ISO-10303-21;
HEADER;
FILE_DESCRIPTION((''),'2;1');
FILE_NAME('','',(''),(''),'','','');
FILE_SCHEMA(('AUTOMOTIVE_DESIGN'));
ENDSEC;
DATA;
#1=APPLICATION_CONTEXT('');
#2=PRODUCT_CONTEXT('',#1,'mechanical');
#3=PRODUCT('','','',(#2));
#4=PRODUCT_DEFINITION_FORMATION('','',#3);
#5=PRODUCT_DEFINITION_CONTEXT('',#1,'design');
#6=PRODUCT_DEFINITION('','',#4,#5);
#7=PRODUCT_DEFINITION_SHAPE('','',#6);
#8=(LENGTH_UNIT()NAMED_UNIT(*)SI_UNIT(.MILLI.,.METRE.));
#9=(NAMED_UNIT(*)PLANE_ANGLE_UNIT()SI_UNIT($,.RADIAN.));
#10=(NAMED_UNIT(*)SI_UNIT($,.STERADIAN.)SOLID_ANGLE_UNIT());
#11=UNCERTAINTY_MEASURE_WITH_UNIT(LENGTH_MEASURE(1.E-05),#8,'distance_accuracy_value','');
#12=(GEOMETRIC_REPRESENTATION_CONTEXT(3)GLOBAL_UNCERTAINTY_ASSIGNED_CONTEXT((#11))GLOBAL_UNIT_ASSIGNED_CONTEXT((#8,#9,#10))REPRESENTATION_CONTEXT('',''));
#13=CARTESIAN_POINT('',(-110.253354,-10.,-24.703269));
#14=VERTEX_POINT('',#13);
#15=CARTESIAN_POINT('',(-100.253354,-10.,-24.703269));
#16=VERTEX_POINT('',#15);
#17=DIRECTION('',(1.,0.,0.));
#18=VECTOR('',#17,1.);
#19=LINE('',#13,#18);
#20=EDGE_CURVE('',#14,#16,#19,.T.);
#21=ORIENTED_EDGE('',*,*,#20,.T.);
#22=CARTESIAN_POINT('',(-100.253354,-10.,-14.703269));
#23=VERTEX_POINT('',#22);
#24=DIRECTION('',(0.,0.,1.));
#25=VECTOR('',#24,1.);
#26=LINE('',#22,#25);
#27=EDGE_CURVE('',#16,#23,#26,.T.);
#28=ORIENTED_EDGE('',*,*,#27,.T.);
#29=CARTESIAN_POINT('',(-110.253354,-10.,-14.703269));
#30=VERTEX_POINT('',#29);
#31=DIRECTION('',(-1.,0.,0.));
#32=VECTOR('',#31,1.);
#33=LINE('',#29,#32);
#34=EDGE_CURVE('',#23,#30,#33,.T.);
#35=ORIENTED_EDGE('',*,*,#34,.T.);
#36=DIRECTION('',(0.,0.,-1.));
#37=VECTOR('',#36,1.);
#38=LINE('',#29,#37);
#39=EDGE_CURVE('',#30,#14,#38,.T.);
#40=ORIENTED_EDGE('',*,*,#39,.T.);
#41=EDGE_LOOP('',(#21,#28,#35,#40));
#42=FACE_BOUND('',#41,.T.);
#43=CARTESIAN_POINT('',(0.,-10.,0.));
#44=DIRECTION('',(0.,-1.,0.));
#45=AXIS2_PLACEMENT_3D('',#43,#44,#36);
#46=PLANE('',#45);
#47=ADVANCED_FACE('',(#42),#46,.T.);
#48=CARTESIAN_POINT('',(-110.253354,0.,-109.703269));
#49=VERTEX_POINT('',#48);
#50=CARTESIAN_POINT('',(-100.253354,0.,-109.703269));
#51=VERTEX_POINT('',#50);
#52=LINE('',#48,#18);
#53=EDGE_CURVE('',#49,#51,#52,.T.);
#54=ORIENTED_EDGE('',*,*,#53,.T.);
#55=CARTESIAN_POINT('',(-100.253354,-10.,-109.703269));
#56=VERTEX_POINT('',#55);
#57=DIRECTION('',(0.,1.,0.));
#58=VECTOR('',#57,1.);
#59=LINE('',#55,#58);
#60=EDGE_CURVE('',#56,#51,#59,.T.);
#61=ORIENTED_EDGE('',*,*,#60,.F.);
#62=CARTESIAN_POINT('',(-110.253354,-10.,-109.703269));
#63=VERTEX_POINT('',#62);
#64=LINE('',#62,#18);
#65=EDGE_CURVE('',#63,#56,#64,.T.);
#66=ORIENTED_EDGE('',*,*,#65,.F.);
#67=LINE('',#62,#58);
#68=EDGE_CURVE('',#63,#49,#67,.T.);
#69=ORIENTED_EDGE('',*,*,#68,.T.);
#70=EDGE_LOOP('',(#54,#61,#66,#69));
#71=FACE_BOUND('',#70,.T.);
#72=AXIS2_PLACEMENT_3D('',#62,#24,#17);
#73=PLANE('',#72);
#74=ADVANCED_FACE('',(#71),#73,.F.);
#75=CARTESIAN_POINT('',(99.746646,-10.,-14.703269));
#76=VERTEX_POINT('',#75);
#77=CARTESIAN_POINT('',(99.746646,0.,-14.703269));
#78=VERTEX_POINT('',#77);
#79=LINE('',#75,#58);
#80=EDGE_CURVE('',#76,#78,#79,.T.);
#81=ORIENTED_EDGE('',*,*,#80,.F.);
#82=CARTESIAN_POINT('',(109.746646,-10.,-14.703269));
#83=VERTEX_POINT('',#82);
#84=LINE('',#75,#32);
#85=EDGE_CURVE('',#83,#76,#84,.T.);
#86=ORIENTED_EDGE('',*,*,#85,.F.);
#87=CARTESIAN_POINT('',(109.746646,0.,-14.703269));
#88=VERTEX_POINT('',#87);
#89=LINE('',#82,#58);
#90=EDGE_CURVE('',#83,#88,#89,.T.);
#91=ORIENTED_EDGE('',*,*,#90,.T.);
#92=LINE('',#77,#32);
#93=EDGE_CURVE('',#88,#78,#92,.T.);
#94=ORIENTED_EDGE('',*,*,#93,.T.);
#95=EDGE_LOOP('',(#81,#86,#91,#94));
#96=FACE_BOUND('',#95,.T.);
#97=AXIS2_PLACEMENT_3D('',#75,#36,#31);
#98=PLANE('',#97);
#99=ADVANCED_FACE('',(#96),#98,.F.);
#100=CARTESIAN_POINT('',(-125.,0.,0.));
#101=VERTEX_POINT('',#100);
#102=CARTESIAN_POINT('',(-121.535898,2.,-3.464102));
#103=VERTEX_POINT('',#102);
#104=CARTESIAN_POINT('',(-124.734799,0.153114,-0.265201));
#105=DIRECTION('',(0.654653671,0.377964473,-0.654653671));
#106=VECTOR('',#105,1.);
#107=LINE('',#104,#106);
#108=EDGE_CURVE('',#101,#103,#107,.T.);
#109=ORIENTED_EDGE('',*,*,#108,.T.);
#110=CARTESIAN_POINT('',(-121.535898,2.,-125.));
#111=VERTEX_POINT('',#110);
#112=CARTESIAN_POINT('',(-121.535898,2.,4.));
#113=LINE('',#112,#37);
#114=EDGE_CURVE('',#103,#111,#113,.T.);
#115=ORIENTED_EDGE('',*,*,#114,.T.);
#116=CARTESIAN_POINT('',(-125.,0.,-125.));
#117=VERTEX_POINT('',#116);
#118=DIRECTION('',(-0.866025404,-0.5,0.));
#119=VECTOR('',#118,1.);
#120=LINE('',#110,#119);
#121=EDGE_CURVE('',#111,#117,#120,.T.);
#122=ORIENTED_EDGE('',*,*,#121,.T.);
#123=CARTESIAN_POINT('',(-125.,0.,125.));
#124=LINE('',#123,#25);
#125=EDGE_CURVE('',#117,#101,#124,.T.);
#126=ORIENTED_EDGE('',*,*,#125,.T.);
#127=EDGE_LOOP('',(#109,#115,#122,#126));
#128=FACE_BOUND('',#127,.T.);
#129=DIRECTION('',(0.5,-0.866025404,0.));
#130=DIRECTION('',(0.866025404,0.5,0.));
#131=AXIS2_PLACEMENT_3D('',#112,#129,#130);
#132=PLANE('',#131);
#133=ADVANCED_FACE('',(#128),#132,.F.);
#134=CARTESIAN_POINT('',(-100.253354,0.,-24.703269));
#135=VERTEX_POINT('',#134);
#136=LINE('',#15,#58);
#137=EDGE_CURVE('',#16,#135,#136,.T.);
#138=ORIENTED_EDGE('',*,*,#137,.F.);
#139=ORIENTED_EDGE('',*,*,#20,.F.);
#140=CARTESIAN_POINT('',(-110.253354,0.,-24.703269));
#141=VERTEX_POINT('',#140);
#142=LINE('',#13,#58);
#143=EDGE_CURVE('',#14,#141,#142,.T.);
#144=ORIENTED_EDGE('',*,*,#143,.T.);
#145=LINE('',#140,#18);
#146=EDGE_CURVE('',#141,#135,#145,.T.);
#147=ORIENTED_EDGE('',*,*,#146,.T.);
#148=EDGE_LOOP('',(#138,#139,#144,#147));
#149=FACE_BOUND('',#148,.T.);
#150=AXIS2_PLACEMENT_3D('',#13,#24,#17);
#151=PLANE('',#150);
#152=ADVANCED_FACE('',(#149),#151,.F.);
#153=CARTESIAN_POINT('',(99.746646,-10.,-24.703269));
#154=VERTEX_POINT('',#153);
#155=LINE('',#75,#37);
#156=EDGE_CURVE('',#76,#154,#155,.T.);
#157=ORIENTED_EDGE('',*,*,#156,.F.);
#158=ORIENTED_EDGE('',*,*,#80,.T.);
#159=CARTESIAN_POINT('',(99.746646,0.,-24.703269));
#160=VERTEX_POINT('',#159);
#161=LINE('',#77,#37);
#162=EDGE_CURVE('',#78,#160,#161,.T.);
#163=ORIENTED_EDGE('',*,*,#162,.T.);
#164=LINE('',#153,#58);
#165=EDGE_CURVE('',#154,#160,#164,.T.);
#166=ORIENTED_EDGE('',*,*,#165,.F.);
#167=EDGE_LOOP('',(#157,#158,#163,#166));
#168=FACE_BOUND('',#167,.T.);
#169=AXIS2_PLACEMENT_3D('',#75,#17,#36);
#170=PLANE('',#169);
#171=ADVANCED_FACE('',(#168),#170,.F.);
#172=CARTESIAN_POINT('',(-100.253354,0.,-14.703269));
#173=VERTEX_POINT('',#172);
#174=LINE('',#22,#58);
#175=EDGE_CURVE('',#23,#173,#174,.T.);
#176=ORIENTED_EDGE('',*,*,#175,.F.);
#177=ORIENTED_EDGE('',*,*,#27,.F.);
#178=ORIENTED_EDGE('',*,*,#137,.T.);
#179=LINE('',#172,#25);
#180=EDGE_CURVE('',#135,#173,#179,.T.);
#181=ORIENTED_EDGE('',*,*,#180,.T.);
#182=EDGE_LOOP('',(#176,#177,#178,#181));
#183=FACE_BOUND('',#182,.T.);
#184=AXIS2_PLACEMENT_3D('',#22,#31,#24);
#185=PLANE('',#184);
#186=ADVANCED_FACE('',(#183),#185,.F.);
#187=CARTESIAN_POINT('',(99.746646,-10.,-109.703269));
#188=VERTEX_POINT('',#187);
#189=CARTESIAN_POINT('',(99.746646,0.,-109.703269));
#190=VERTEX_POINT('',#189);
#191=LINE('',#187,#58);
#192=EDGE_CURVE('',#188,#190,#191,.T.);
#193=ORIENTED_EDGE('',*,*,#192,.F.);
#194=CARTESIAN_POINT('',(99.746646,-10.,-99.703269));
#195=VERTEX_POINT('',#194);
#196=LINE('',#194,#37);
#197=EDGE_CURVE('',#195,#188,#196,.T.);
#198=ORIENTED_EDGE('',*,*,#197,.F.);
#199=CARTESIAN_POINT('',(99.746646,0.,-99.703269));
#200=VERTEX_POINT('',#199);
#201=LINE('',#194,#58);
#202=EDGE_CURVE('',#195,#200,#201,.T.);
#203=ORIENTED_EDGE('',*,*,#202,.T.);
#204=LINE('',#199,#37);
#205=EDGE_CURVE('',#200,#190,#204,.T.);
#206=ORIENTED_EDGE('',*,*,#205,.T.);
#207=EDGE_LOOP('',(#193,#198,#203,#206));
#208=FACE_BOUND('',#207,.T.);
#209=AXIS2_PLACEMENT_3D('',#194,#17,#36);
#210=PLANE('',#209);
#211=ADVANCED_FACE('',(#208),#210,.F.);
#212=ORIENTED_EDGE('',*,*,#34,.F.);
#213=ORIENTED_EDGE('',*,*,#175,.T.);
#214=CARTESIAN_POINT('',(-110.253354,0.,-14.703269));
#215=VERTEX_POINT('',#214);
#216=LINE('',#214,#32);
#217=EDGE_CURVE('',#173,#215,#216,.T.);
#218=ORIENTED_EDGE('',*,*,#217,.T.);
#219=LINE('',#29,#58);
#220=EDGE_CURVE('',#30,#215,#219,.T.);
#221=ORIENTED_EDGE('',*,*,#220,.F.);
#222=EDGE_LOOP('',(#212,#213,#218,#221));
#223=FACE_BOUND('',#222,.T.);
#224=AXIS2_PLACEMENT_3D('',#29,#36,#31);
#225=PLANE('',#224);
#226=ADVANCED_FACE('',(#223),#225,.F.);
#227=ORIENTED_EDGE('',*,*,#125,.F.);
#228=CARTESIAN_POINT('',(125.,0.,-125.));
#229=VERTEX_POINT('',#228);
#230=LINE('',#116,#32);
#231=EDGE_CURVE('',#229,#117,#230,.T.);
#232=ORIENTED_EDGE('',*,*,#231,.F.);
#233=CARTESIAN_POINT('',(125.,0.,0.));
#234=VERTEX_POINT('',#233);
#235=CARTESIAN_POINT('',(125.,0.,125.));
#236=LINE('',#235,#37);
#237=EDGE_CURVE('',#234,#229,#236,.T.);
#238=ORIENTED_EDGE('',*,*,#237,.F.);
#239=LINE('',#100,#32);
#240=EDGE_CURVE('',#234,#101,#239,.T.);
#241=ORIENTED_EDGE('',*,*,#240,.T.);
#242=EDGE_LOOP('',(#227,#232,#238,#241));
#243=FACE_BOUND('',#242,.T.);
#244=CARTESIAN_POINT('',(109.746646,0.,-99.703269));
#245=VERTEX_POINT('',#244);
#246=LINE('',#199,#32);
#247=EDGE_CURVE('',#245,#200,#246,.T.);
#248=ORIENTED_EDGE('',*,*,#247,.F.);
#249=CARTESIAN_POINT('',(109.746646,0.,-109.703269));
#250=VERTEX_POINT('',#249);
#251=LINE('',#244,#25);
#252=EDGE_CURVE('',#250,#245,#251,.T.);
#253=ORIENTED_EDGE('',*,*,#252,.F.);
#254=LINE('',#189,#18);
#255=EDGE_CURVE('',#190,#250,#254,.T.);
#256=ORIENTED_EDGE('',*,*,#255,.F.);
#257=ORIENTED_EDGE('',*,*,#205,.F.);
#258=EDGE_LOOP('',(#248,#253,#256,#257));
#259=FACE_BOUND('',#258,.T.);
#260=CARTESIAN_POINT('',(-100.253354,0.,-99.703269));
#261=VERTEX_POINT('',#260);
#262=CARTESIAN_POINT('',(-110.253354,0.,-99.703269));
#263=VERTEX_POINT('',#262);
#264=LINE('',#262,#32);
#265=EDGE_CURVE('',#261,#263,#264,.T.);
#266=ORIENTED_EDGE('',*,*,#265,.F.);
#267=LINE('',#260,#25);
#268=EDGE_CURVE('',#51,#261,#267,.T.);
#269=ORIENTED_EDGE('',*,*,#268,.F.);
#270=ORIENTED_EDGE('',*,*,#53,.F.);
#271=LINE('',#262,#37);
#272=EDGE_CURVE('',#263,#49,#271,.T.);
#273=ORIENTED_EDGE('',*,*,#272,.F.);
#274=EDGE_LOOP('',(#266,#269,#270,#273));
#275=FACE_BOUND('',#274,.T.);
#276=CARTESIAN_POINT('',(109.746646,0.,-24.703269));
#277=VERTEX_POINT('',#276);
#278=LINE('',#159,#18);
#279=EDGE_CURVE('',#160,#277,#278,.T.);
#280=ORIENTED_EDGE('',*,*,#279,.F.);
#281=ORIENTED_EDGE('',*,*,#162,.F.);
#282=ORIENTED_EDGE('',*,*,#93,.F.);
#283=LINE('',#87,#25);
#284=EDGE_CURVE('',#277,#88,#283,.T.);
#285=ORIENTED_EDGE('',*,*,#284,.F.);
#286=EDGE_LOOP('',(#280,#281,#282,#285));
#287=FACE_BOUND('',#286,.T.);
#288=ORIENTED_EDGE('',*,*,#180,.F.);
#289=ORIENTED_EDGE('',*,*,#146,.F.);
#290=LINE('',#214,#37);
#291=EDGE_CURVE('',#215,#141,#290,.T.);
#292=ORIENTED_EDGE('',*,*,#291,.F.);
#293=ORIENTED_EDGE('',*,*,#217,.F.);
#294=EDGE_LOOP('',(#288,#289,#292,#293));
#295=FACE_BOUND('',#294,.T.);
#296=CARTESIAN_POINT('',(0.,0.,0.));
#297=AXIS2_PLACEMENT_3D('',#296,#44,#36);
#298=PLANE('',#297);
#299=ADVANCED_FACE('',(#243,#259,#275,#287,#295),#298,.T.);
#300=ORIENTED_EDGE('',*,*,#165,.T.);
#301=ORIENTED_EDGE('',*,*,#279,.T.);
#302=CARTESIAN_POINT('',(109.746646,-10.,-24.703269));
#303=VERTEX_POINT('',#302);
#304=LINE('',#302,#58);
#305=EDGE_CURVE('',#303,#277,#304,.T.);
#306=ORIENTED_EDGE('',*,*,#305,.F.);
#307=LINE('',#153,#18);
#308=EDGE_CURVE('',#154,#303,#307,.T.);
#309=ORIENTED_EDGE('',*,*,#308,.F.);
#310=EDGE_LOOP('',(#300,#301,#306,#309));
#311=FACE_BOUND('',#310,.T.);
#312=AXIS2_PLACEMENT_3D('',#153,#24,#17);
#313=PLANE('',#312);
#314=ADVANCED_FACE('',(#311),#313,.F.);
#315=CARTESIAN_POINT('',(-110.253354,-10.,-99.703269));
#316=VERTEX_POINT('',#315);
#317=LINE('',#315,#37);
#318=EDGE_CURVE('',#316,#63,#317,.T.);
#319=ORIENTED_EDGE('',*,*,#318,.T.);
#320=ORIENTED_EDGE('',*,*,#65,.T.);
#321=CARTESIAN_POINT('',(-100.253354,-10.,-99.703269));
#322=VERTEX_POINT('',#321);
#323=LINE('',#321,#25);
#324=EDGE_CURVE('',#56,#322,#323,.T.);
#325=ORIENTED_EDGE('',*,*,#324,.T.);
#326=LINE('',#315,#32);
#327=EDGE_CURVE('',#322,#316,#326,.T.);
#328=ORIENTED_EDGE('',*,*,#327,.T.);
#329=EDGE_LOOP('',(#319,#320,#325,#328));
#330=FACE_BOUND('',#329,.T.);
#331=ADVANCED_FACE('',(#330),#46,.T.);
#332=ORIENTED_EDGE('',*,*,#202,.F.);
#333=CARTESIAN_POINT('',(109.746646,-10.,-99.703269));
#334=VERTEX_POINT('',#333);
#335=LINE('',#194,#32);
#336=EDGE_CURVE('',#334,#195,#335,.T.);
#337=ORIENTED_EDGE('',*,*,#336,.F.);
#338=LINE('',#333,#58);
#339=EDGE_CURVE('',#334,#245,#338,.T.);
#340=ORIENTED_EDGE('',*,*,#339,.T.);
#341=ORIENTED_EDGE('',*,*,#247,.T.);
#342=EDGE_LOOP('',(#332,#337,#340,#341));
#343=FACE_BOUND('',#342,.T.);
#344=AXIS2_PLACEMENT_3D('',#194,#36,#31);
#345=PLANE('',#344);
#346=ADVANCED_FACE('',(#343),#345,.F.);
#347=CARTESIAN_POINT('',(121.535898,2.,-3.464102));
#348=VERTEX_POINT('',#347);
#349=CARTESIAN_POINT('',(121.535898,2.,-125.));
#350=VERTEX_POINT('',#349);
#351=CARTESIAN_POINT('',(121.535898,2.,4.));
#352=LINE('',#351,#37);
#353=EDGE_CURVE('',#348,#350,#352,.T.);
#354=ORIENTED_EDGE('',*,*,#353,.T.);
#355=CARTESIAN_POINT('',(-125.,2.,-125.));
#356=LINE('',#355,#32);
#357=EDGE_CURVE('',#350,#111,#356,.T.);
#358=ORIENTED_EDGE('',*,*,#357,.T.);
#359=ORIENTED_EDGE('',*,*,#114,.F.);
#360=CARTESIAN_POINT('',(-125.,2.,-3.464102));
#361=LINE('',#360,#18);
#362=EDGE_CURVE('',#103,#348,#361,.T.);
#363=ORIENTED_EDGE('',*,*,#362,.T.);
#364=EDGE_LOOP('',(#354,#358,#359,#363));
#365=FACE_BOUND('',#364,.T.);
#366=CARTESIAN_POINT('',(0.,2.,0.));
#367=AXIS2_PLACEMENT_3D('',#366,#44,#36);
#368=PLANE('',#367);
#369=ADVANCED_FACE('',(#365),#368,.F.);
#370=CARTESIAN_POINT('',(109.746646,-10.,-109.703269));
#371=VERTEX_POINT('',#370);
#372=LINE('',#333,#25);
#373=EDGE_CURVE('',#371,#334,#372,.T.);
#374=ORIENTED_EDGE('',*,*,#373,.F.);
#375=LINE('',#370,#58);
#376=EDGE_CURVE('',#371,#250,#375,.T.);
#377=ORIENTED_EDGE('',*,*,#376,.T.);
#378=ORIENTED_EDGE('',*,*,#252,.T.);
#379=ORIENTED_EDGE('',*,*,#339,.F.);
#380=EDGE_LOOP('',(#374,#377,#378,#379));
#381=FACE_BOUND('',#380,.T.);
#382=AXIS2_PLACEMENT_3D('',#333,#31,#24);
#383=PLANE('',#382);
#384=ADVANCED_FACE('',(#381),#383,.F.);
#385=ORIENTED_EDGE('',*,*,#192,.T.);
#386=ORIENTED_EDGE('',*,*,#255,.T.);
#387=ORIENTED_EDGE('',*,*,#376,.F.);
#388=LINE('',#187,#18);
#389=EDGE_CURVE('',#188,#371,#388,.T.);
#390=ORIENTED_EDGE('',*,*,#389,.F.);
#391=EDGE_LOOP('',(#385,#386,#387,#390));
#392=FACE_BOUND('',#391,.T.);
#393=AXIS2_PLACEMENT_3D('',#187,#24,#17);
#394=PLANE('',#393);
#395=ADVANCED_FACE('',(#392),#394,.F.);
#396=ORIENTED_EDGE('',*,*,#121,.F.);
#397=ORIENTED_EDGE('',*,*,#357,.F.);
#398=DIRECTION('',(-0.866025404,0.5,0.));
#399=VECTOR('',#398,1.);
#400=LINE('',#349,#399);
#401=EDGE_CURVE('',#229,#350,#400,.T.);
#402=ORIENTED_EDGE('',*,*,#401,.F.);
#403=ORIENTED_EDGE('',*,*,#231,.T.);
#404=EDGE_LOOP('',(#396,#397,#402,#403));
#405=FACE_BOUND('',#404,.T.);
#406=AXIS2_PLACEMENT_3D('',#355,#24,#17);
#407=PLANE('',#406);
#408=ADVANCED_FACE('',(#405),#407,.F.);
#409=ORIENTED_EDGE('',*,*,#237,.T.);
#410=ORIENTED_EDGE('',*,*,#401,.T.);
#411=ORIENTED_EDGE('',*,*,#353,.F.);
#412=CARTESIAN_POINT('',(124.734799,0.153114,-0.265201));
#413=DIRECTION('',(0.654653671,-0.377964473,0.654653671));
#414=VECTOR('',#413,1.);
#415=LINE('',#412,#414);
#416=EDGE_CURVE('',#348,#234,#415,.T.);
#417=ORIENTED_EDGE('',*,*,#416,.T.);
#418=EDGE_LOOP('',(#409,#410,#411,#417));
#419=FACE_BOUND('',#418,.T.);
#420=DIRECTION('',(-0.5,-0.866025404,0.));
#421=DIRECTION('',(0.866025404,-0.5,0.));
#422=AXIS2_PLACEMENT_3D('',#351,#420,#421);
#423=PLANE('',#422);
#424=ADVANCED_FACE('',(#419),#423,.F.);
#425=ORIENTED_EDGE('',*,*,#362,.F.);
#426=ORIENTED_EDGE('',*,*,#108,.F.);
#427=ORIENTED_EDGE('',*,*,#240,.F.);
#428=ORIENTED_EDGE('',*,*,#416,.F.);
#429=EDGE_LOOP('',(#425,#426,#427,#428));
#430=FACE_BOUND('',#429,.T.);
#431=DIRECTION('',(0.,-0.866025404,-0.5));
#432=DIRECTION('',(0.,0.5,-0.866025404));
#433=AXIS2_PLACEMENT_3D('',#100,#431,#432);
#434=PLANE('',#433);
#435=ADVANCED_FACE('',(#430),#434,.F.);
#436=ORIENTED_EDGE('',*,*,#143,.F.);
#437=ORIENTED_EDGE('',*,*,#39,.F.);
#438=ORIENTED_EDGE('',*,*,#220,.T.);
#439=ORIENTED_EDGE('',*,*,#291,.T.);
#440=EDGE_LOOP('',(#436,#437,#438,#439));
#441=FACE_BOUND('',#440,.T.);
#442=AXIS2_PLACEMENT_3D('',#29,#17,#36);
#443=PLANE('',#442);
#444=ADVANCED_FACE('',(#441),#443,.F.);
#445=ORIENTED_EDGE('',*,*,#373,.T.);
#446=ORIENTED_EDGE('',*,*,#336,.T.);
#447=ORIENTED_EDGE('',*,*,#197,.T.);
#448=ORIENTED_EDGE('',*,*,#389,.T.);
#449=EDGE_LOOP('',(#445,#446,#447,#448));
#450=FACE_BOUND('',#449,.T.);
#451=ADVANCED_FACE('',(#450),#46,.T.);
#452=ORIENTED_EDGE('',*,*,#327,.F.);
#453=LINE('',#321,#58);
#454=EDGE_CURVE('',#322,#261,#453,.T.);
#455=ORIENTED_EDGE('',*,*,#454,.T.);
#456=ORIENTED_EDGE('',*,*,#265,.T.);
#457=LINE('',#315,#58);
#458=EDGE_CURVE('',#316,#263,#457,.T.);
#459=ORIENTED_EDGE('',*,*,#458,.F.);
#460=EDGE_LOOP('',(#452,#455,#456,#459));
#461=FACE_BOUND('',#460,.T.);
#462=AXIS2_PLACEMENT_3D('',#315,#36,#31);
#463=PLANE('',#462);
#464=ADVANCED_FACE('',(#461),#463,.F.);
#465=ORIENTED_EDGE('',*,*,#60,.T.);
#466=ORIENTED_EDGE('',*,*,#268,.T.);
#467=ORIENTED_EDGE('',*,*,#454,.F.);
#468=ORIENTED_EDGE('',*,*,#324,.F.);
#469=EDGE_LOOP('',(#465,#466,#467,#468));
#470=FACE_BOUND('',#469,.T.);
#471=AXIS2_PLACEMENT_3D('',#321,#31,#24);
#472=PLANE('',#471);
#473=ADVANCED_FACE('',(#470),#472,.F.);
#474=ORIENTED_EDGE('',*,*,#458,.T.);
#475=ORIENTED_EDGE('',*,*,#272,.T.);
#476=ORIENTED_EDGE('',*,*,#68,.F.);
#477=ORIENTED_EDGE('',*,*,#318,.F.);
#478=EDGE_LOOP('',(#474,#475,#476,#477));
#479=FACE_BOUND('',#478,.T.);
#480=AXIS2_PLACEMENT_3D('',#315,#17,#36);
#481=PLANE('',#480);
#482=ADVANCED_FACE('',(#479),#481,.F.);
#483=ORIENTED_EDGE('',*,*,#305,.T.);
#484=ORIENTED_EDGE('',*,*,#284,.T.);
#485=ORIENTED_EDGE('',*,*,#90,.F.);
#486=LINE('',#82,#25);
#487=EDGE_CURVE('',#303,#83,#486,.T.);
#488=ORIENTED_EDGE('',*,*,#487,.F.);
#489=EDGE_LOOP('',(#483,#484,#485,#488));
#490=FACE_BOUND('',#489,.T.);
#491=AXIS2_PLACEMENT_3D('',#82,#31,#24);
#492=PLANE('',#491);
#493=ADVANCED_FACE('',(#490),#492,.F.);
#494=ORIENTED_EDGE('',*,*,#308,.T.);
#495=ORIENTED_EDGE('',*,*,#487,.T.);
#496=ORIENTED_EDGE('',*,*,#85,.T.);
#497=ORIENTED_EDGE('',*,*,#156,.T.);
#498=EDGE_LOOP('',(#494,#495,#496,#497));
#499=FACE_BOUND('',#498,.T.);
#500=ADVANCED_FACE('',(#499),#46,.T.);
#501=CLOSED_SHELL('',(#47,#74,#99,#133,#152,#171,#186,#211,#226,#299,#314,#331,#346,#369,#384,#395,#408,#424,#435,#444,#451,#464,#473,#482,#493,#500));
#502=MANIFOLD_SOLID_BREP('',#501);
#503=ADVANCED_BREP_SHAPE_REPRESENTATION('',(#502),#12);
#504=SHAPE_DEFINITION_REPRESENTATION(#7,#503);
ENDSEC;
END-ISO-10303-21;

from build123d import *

# Parameters (mm, degrees)
SKETCH_1_W               = 250
SKETCH_1_H               = 250
EXTRUDE_1_DEPTH          = 2
SKETCH_2_W               = 250
SKETCH_2_H               = 125
CUT_EXTRUDE_1_DEPTH      = 2
SKETCH_6_W               = 10
SKETCH_6_H               = 10
EXTRUDE_3_DEPTH          = 10
CUT_EXTRUDE_2_DEPTH      = 125
CUT_EXTRUDE_3_DEPTH      = 178.059312096
CUT_EXTRUDE_3_DEPTH_BACK = 178.059312096


with BuildPart() as part:
    # 草图1 → 凸台-拉伸1 (new body)
    with BuildSketch(Plane(origin=(0, 0, 0), x_dir=(1, 0, 0), z_dir=(0, 1, 0))):
        Rectangle(SKETCH_1_W, SKETCH_1_H)
    extrude(amount=EXTRUDE_1_DEPTH)

    # 草图2 → 切除-拉伸1 (cut)
    with BuildSketch(Plane(origin=(0, 2, 0), x_dir=(1, 0, 0), z_dir=(0, 1, 0))):
        with Locations((0, -62.5)):
            Rectangle(SKETCH_2_W, SKETCH_2_H)
    extrude(amount=-CUT_EXTRUDE_1_DEPTH, mode=Mode.SUBTRACT)

    # 草图6 → 凸台-拉伸3 (add)
    with BuildSketch(Plane.XZ):
        with Locations((-105.253353702, -19.703268914)):
            Rectangle(SKETCH_6_W, SKETCH_6_H)
        with Locations((-105.253353702, -104.703268914)):
            Rectangle(SKETCH_6_W, SKETCH_6_H)
        with Locations((104.746646298, -19.703268914)):
            Rectangle(SKETCH_6_W, SKETCH_6_H)
        with Locations((104.746646298, -104.703268914)):
            Rectangle(SKETCH_6_W, SKETCH_6_H)
    extrude(amount=EXTRUDE_3_DEPTH)

    # 草图9 → 切除-拉伸2 (cut)
    with BuildSketch(Plane(origin=(0, 0, -125), x_dir=(-1, 0, 0), z_dir=(0, 0, -1))):
        Polygon((-125, 0), (-125, 2), (-121.535898385, 2), align=None)
        Polygon((125, 2), (121.535898385, 2), (125, 0), align=None)
    extrude(amount=-CUT_EXTRUDE_2_DEPTH, mode=Mode.SUBTRACT)

    # 草图11 → 切除-拉伸3 (cut, two sides: drawn at the far end of the back side and taken through both)
    with BuildSketch(Plane(origin=(0, 0, 0), x_dir=(0, 0, -1), z_dir=(1, 0, 0)).offset(-CUT_EXTRUDE_3_DEPTH_BACK)):
        Polygon((0, 2), (0, 0), (3.464101615, 2), align=None)
    extrude(amount=CUT_EXTRUDE_3_DEPTH + CUT_EXTRUDE_3_DEPTH_BACK, mode=Mode.SUBTRACT)


solid = part.part
